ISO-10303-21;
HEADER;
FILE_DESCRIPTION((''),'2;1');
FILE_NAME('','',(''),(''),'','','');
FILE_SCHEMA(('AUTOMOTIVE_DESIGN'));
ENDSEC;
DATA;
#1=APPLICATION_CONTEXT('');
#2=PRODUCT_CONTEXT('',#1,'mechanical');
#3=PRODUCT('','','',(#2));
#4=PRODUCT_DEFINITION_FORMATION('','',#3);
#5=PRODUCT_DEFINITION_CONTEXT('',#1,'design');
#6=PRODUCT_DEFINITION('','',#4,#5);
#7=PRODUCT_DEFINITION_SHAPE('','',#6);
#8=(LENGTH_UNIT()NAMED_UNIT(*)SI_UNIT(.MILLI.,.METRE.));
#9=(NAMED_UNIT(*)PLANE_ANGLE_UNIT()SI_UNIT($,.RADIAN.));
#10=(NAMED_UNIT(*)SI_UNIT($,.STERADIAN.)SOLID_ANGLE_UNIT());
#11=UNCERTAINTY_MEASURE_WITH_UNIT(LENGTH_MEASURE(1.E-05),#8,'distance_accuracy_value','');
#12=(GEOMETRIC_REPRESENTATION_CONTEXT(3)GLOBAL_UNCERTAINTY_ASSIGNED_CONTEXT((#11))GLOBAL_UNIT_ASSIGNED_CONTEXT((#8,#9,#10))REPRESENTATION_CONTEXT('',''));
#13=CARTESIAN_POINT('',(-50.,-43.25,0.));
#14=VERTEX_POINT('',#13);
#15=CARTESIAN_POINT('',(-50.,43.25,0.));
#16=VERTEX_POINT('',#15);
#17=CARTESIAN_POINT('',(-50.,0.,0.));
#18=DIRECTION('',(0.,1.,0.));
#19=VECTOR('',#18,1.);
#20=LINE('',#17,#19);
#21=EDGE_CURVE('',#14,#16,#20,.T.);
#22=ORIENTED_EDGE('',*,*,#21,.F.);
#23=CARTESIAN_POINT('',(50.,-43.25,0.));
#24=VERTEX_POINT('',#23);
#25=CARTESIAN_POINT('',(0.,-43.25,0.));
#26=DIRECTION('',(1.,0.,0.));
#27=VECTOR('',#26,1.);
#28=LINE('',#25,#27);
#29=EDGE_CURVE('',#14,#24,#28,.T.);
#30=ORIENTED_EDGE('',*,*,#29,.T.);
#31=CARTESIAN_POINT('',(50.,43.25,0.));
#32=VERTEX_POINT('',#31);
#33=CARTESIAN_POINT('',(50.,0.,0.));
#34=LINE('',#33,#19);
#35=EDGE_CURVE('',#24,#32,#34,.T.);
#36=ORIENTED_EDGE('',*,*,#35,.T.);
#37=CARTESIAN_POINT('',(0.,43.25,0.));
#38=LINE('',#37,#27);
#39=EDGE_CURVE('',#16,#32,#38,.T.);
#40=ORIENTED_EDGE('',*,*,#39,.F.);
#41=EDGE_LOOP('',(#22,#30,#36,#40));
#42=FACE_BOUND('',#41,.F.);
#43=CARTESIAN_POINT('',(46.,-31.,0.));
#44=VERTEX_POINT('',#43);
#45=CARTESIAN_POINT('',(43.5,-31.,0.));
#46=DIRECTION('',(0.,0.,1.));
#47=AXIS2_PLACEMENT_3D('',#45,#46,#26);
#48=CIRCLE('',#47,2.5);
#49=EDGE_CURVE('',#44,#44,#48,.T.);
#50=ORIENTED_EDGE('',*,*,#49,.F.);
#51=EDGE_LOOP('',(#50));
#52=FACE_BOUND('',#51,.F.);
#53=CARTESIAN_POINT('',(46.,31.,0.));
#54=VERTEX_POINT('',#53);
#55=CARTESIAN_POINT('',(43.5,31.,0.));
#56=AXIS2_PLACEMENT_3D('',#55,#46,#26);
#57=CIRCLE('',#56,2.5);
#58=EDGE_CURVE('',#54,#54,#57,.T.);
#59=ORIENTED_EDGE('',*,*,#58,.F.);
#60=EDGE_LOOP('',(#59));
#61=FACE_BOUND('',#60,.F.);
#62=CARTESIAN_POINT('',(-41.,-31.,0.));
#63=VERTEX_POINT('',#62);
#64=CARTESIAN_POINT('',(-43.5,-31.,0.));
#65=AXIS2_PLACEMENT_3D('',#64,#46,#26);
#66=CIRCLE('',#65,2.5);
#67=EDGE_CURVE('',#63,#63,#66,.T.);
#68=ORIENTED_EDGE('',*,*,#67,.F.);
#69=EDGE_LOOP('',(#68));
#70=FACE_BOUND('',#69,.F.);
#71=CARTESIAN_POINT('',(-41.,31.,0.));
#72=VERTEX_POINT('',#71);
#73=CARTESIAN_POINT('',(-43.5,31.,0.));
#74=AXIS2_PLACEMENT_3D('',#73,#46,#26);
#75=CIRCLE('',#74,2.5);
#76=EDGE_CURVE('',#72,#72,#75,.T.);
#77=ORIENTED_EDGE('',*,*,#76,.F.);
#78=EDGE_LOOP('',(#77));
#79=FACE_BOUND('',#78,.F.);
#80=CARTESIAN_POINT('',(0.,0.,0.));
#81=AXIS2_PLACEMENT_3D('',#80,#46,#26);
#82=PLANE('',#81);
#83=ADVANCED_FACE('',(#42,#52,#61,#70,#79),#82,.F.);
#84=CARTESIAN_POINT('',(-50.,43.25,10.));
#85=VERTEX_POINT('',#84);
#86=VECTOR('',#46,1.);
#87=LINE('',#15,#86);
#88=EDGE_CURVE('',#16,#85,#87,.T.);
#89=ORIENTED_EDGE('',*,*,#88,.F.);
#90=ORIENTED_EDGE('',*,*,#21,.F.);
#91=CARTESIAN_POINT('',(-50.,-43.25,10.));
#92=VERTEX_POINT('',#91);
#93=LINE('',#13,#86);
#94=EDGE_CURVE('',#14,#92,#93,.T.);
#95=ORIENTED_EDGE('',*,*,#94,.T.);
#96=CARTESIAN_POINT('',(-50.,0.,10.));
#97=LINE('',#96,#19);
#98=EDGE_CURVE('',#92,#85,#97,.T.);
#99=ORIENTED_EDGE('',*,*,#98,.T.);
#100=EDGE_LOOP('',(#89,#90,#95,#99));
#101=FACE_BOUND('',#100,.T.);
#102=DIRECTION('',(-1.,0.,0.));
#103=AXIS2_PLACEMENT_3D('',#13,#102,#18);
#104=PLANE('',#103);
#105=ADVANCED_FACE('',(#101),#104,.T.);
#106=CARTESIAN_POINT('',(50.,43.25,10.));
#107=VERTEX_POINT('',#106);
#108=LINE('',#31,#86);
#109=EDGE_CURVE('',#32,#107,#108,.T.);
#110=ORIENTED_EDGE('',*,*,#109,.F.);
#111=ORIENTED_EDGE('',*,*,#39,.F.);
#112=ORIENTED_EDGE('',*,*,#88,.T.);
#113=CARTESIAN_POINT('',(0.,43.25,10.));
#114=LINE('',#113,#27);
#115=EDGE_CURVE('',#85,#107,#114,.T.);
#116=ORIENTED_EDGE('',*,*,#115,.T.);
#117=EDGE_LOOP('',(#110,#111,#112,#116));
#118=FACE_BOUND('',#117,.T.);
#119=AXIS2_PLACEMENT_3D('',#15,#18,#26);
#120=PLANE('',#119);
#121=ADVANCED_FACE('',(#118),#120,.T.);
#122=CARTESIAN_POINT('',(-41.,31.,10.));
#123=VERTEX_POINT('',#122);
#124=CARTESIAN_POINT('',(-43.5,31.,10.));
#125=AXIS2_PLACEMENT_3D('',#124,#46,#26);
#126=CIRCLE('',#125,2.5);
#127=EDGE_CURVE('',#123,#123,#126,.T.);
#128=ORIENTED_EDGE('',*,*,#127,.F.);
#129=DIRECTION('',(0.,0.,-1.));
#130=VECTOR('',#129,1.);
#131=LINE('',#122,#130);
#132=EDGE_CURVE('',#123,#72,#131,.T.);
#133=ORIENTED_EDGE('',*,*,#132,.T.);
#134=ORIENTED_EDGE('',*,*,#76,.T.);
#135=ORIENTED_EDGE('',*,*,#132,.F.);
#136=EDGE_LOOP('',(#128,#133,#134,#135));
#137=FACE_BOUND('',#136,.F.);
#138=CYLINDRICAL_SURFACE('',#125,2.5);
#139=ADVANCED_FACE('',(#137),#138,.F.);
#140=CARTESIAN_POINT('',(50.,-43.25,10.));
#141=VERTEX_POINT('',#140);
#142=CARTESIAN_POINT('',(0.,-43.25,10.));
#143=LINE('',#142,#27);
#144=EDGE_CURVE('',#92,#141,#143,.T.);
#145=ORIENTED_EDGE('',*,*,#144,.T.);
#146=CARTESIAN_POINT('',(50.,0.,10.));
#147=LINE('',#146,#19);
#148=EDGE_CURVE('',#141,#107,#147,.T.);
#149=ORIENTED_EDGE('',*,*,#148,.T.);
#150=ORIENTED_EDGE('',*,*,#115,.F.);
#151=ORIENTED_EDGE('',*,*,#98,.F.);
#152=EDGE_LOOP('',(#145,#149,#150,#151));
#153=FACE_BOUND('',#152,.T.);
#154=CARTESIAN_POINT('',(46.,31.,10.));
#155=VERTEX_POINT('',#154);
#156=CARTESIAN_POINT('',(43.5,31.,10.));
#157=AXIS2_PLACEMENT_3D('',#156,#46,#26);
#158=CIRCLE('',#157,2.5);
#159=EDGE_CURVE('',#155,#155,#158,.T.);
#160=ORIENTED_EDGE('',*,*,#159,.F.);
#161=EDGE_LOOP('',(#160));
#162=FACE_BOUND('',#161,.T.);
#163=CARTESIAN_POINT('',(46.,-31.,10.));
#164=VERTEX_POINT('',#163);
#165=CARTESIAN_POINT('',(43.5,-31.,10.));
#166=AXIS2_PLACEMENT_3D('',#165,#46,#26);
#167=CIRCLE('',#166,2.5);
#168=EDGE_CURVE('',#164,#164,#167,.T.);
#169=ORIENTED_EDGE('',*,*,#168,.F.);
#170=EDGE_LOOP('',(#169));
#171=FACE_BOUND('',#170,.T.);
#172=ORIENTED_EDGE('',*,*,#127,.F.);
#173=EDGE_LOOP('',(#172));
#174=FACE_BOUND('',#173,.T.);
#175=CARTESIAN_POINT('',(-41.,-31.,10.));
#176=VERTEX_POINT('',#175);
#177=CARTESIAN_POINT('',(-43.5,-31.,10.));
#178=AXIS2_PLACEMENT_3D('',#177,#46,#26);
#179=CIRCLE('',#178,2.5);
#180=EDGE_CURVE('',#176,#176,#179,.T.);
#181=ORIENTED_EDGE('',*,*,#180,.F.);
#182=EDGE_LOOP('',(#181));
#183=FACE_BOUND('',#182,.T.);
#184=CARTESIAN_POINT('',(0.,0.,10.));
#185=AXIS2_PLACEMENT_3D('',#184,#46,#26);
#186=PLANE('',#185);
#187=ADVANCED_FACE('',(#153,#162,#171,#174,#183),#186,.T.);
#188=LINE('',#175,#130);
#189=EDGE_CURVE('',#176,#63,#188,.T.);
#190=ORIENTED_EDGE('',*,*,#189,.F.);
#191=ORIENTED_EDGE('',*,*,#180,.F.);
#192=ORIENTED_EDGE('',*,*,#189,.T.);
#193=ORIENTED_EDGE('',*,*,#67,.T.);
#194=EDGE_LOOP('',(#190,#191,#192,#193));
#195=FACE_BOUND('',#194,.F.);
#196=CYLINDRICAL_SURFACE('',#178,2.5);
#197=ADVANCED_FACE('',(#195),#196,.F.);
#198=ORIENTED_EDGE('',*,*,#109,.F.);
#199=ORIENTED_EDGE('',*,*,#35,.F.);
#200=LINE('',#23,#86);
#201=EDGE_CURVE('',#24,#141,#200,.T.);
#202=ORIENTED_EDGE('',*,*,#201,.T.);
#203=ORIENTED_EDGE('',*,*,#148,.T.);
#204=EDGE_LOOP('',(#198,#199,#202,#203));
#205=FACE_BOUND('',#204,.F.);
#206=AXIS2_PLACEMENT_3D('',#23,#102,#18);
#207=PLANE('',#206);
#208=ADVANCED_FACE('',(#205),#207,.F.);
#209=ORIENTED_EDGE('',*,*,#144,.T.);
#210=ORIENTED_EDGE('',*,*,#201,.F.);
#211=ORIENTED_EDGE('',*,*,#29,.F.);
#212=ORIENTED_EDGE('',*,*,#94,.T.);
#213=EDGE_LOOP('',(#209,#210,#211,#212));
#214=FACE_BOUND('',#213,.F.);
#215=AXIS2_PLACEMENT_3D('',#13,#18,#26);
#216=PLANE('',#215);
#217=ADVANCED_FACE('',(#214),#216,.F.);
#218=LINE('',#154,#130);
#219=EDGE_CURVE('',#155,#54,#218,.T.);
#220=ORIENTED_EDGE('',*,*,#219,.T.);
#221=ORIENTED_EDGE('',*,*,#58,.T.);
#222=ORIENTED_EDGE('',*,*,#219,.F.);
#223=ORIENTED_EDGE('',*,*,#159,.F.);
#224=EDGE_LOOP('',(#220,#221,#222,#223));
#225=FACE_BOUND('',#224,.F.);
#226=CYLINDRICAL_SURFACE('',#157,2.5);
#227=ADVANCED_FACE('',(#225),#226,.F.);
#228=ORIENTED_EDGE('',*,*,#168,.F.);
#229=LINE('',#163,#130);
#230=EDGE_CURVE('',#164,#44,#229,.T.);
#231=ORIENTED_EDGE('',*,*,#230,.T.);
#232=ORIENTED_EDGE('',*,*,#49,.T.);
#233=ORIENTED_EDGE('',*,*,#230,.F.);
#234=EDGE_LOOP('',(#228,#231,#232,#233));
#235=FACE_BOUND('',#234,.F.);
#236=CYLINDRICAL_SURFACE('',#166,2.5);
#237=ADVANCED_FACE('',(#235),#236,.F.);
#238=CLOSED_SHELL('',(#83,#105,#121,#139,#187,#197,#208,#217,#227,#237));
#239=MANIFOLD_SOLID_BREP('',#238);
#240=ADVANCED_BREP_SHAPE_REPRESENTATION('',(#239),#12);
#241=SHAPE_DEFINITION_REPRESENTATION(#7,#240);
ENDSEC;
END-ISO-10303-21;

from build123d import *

# Parameters (mm, degrees)
SKETCH_W     = 100
SKETCH_H     = 86.5
PAD_DEPTH    = 10
SKETCH001_R  = 2.5
POCKET_DEPTH = 10


with BuildPart() as part:
    # Sketch → Pad (new body)
    with BuildSketch(Plane.XY):
        Rectangle(SKETCH_W, SKETCH_H)
    extrude(amount=PAD_DEPTH)

    # Sketch001 (on DatumPlane) → Pocket (cut)
    with BuildSketch(Plane.XY.offset(10)):
        with Locations((-43.5, 31)):
            Circle(SKETCH001_R)
        with Locations((43.5, 31)):
            Circle(SKETCH001_R)
        with Locations((43.5, -31)):
            Circle(SKETCH001_R)
        with Locations((-43.5, -31)):
            Circle(SKETCH001_R)
    extrude(amount=-POCKET_DEPTH, mode=Mode.SUBTRACT)


solid = part.part
